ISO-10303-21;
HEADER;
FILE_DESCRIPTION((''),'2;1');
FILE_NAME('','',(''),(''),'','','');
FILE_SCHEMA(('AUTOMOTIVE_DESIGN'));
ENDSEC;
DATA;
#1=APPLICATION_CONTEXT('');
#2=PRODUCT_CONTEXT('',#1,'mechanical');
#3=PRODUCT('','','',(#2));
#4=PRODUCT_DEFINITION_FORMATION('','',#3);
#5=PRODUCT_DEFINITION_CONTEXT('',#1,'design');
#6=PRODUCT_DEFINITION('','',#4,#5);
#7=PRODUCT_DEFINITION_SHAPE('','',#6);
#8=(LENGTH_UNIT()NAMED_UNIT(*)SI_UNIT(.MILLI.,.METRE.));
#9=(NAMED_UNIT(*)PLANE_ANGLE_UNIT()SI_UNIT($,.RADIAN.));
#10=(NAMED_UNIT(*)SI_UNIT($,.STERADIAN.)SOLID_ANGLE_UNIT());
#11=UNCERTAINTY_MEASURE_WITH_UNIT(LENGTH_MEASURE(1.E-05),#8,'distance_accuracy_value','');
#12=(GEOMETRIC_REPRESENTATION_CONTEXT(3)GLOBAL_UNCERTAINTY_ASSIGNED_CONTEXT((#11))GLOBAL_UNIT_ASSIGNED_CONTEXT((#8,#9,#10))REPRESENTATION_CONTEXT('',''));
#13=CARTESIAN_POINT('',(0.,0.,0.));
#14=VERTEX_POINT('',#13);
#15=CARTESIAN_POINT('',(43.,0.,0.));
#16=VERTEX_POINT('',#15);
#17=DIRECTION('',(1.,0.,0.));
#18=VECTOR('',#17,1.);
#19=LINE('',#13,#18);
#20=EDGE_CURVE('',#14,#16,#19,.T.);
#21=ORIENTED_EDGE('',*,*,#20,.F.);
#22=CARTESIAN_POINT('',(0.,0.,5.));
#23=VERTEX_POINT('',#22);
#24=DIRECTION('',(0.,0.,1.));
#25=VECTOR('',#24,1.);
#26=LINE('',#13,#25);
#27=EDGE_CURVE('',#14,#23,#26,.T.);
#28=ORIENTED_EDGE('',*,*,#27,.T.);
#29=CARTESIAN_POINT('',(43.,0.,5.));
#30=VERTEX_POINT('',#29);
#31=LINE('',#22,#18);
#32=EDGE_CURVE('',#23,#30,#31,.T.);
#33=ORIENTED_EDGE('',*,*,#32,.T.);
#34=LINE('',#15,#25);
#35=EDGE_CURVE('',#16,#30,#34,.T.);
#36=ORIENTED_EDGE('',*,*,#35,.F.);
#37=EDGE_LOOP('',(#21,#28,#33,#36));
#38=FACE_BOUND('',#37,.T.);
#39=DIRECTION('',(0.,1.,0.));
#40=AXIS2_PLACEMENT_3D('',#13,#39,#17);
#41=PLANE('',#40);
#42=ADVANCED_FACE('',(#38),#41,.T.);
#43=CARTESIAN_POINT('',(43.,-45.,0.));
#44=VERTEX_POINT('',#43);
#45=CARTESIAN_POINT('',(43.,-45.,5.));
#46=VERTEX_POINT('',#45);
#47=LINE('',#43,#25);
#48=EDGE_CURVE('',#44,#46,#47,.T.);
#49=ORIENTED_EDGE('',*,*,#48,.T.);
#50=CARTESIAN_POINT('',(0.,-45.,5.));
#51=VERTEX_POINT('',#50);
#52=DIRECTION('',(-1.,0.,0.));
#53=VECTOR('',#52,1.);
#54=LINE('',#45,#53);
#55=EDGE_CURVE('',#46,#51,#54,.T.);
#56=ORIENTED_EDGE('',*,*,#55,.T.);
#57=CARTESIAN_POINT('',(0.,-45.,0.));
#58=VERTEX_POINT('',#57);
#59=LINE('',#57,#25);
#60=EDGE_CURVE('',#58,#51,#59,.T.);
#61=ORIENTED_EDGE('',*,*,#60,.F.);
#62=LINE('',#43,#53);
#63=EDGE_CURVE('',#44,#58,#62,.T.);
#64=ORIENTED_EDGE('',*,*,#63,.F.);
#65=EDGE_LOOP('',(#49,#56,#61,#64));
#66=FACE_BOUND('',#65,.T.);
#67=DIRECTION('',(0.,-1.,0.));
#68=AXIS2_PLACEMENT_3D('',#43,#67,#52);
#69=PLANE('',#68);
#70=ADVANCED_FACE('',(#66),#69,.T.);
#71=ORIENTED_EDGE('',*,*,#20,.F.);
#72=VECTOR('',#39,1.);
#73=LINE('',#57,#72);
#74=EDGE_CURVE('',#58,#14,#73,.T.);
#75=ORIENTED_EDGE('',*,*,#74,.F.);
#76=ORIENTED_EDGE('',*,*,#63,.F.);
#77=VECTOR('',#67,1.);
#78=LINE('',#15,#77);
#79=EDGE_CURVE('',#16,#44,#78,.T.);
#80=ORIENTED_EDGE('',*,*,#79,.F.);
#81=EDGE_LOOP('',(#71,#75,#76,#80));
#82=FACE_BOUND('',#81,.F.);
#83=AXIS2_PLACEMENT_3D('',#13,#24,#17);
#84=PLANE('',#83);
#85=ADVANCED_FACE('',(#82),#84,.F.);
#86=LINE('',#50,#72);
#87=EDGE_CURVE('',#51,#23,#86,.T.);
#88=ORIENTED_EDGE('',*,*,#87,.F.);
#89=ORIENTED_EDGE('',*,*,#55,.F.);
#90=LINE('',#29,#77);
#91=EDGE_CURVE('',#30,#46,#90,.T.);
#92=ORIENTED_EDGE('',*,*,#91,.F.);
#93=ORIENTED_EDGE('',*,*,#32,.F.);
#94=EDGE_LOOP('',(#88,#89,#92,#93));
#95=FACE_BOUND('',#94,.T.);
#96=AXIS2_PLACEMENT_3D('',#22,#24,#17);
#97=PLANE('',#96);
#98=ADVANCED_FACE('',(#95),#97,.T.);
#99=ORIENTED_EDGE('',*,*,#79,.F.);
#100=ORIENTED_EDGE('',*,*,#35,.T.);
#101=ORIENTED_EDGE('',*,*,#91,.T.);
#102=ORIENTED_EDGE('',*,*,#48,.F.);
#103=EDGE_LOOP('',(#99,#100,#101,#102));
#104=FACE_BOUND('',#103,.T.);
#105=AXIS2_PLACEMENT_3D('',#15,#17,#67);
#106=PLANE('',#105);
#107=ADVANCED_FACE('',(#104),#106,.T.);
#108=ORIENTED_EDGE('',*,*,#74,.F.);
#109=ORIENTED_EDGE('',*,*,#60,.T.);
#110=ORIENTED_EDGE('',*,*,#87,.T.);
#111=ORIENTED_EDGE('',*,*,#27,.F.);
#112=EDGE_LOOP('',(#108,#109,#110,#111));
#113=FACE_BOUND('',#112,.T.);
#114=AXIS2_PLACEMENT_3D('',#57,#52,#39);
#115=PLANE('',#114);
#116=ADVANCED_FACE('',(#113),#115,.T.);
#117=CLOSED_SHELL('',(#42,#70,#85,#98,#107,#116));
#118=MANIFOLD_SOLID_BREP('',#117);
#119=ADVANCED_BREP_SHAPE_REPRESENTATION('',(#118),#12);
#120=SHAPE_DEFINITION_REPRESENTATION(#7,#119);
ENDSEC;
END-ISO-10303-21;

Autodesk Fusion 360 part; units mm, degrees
sketch "Sketch1" plane through (0, 0, 0) normal (0, 0, 1) x (1, 0, 0)
  line L0 (0, 0) -> (43, 0)
  line L1 (43, 0) -> (43, -45)
  line L2 (43, -45) -> (0, -45)
  line L3 (0, -45) -> (0, 0)
  dimension "d7" = 43
  dimension "d8" = 45
extrude "Extrude1" add sketch "Sketch1" along normal blind 5
equation "perfboard_length = 25 mm"
equation "perfboard_width = 23 mm"
equation "width = perfboard_length + 2 * screw_radius * 2"
equation "length = perfboard_width + 2 * screw_radius * 2"
equation "height = 5 mm"
equation "d7 = length"
equation "d8 = width"
equation "d9 = height"
equation "extra = 100 mm"
equation "screw_radius = 5 mm"
